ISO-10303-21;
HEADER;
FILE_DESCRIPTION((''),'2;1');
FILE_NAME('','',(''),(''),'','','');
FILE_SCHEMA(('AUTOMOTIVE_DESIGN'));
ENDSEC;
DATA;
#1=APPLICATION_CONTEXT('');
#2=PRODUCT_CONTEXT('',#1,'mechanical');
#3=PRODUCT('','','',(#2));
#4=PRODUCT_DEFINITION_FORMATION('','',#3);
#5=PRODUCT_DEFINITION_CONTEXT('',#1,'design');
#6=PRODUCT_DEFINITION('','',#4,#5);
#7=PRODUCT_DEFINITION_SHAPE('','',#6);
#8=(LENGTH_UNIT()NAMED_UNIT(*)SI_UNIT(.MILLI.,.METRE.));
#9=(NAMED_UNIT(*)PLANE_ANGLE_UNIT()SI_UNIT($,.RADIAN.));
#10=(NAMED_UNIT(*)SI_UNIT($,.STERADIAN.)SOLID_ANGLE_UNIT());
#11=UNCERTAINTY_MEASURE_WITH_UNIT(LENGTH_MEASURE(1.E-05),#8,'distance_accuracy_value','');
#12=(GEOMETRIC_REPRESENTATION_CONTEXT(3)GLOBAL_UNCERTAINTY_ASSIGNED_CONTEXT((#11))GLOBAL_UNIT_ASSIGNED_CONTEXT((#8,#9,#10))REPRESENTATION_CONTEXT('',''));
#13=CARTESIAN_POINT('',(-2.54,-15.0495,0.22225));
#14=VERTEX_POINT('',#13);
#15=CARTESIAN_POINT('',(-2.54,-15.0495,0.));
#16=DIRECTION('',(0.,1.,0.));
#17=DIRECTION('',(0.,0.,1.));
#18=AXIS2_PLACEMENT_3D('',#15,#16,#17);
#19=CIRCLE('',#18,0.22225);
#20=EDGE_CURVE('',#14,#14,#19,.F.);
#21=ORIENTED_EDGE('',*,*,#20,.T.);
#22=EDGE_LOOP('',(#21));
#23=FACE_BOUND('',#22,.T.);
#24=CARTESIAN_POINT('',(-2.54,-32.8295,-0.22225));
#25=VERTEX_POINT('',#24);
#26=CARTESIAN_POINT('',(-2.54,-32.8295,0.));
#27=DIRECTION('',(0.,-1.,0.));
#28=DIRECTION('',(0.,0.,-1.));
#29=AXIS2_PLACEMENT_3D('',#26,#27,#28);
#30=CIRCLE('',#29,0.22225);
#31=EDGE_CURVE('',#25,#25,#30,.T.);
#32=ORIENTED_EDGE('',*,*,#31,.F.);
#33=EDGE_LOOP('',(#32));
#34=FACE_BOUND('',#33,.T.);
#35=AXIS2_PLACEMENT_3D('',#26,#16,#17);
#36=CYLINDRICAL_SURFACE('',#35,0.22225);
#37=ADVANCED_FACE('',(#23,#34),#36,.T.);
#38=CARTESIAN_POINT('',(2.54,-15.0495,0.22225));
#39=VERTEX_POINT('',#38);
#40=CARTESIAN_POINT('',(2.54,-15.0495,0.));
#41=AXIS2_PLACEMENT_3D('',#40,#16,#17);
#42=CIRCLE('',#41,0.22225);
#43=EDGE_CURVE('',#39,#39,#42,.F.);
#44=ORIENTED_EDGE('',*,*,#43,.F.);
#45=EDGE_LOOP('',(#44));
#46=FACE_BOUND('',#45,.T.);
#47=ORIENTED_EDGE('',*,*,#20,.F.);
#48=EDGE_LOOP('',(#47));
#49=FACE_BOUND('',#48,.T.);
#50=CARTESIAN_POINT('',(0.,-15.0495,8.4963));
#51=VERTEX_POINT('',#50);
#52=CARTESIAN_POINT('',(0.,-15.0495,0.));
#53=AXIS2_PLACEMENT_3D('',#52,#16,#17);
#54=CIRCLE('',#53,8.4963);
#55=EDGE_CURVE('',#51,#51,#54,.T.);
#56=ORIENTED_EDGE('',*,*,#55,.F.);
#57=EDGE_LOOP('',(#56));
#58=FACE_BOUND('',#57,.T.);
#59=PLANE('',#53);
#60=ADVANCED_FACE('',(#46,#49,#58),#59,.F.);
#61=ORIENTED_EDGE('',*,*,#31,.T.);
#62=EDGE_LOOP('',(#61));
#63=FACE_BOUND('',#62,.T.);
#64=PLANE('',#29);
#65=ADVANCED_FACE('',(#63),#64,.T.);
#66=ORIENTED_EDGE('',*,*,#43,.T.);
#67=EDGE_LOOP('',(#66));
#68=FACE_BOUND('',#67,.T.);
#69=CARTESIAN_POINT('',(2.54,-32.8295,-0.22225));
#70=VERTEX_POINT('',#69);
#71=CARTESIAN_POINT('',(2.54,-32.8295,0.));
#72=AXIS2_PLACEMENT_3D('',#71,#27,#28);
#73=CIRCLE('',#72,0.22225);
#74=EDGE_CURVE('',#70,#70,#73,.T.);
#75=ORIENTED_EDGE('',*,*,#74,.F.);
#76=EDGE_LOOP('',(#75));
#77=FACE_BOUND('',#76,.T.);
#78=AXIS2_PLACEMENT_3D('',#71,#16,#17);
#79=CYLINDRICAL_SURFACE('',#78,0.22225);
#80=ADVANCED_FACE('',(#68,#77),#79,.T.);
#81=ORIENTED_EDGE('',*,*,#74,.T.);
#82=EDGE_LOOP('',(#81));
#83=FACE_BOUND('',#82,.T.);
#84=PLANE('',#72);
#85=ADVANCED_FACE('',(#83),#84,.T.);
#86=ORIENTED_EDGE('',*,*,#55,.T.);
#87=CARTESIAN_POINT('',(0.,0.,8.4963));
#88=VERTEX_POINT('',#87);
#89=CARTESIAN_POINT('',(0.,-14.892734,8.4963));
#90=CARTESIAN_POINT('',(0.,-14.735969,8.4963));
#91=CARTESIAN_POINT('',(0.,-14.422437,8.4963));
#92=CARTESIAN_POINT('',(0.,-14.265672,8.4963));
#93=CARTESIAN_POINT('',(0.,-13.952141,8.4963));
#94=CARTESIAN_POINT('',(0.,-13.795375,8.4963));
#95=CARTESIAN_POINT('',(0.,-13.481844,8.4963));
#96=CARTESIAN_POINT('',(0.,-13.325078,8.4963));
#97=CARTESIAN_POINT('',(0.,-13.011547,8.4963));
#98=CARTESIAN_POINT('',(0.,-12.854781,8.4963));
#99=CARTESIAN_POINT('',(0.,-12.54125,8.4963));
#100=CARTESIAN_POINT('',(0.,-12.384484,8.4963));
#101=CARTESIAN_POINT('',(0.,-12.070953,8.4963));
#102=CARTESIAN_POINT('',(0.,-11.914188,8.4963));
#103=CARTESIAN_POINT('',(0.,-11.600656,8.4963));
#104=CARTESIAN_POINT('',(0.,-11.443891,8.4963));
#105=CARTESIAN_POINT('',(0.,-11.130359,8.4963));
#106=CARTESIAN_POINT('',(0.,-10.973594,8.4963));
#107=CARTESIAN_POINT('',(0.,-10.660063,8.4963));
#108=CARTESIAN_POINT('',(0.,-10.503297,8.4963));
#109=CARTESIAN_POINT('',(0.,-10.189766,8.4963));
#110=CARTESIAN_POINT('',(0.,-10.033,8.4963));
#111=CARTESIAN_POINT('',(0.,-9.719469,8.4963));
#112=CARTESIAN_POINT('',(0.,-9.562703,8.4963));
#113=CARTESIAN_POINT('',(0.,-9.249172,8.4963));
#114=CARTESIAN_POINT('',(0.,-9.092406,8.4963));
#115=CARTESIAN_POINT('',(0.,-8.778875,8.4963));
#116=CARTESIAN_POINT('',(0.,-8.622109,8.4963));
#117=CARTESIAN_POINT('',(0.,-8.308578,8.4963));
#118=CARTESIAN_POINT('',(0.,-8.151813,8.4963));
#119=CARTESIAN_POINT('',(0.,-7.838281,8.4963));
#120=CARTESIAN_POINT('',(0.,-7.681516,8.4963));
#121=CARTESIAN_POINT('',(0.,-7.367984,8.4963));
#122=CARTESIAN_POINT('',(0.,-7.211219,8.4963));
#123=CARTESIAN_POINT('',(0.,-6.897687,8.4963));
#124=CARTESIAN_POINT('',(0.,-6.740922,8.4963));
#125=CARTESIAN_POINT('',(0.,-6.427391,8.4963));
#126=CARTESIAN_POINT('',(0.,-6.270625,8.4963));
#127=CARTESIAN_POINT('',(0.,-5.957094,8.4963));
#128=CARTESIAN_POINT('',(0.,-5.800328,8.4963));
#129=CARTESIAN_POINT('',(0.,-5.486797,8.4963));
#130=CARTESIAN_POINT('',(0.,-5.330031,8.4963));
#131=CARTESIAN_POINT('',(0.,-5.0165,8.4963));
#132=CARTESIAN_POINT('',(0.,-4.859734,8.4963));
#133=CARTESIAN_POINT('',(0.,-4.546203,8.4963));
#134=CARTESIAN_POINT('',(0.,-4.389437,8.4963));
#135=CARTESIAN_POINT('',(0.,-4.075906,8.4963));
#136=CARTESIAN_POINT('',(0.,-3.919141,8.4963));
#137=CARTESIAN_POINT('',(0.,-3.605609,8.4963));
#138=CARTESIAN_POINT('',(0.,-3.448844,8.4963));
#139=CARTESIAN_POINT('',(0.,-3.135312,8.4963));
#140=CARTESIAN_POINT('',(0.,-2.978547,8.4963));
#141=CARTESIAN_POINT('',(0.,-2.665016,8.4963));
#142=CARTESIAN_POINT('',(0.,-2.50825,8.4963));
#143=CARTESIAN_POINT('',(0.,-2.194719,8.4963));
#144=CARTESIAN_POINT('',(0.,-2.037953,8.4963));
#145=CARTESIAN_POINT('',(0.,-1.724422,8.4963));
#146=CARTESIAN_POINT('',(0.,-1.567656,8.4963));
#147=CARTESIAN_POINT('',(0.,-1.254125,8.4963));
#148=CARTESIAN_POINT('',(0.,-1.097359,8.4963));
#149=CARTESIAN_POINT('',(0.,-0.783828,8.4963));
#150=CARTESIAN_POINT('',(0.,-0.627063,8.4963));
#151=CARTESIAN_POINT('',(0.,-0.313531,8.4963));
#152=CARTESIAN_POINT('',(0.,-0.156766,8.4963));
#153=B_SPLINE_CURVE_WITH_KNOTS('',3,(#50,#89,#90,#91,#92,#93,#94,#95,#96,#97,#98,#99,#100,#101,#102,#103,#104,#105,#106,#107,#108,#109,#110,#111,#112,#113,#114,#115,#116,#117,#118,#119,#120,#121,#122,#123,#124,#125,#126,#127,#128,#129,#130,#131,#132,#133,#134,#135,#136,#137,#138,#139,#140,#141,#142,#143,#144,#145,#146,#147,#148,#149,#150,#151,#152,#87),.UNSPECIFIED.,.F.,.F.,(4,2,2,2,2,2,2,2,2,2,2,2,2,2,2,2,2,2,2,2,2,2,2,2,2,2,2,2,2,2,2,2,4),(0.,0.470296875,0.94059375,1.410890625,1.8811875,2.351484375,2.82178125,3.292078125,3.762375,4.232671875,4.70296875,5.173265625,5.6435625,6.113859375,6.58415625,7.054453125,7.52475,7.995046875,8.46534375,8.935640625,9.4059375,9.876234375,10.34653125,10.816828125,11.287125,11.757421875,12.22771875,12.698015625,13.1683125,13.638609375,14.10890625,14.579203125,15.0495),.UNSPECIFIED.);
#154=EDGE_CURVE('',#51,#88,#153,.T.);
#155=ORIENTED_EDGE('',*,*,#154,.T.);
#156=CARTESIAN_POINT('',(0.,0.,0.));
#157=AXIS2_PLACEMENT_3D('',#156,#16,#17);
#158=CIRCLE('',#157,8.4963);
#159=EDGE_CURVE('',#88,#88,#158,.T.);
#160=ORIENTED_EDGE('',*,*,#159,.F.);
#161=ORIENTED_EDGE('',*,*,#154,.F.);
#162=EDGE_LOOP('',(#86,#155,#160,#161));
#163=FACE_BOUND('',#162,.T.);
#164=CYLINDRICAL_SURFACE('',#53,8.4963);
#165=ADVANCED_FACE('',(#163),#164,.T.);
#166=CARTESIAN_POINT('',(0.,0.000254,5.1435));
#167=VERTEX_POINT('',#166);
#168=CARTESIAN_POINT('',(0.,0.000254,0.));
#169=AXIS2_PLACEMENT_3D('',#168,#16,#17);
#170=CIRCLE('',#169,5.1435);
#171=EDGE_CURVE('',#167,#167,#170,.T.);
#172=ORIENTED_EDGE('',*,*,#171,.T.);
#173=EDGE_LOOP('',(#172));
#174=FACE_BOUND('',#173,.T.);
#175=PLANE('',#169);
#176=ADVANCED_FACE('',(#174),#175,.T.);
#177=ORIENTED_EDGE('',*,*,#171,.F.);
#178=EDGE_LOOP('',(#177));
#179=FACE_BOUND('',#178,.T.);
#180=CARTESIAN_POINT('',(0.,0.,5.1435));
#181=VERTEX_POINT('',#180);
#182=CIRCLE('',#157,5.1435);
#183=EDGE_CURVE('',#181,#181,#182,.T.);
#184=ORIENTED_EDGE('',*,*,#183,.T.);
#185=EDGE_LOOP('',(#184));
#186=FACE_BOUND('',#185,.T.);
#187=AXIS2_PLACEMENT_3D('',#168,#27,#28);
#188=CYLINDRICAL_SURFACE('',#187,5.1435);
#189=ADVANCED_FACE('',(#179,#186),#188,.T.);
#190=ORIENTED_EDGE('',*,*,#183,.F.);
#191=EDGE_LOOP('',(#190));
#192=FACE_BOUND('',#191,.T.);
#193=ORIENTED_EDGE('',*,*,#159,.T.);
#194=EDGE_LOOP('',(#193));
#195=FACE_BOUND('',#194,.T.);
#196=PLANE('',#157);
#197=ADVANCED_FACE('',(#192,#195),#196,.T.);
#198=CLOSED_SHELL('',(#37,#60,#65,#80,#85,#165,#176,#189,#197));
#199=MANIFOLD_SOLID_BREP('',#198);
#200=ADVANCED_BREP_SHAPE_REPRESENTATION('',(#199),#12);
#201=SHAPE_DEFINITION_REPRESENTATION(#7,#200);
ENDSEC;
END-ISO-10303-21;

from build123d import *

# Parameters (mm, degrees)
SKETCH1_R           = 8.4963
BOSS_EXTRUDE1_DEPTH = 15.0495
SKETCH3_R           = 0.22225
BOSS_EXTRUDE2_DEPTH = 17.78
SKETCH2_R           = 5.1435
BOSS_EXTRUDE3_DEPTH = 0.000254


with BuildPart() as part:
    # Sketch1 → Boss-Extrude1 (new body)
    with BuildSketch(Plane(origin=(0, 0, 0), x_dir=(1, 0, 0), z_dir=(0, 1, 0))):
        with Locations(Location((0, 0, 0), (0, 0, 270))):
            Circle(SKETCH1_R)
    extrude(amount=-BOSS_EXTRUDE1_DEPTH)

    # Sketch3 → Boss-Extrude2 (add)
    with BuildSketch(Plane(origin=(0, -15.0495, 0), x_dir=(-1, 0, 0), z_dir=(0, -1, 0))):
        with Locations(Location((2.54, 0, 0), (0, 0, 270))):
            Circle(SKETCH3_R)
        with Locations(Location((-2.54, 0, 0), (0, 0, 270))):
            Circle(SKETCH3_R)
    extrude(amount=BOSS_EXTRUDE2_DEPTH)

    # Sketch2 → Boss-Extrude3 (add)
    with BuildSketch(Plane(origin=(0, 0, 0), x_dir=(1, 0, 0), z_dir=(0, 1, 0))):
        with Locations(Location((0, 0, 0), (0, 0, 270))):
            Circle(SKETCH2_R)
    extrude(amount=BOSS_EXTRUDE3_DEPTH)


solid = part.part
